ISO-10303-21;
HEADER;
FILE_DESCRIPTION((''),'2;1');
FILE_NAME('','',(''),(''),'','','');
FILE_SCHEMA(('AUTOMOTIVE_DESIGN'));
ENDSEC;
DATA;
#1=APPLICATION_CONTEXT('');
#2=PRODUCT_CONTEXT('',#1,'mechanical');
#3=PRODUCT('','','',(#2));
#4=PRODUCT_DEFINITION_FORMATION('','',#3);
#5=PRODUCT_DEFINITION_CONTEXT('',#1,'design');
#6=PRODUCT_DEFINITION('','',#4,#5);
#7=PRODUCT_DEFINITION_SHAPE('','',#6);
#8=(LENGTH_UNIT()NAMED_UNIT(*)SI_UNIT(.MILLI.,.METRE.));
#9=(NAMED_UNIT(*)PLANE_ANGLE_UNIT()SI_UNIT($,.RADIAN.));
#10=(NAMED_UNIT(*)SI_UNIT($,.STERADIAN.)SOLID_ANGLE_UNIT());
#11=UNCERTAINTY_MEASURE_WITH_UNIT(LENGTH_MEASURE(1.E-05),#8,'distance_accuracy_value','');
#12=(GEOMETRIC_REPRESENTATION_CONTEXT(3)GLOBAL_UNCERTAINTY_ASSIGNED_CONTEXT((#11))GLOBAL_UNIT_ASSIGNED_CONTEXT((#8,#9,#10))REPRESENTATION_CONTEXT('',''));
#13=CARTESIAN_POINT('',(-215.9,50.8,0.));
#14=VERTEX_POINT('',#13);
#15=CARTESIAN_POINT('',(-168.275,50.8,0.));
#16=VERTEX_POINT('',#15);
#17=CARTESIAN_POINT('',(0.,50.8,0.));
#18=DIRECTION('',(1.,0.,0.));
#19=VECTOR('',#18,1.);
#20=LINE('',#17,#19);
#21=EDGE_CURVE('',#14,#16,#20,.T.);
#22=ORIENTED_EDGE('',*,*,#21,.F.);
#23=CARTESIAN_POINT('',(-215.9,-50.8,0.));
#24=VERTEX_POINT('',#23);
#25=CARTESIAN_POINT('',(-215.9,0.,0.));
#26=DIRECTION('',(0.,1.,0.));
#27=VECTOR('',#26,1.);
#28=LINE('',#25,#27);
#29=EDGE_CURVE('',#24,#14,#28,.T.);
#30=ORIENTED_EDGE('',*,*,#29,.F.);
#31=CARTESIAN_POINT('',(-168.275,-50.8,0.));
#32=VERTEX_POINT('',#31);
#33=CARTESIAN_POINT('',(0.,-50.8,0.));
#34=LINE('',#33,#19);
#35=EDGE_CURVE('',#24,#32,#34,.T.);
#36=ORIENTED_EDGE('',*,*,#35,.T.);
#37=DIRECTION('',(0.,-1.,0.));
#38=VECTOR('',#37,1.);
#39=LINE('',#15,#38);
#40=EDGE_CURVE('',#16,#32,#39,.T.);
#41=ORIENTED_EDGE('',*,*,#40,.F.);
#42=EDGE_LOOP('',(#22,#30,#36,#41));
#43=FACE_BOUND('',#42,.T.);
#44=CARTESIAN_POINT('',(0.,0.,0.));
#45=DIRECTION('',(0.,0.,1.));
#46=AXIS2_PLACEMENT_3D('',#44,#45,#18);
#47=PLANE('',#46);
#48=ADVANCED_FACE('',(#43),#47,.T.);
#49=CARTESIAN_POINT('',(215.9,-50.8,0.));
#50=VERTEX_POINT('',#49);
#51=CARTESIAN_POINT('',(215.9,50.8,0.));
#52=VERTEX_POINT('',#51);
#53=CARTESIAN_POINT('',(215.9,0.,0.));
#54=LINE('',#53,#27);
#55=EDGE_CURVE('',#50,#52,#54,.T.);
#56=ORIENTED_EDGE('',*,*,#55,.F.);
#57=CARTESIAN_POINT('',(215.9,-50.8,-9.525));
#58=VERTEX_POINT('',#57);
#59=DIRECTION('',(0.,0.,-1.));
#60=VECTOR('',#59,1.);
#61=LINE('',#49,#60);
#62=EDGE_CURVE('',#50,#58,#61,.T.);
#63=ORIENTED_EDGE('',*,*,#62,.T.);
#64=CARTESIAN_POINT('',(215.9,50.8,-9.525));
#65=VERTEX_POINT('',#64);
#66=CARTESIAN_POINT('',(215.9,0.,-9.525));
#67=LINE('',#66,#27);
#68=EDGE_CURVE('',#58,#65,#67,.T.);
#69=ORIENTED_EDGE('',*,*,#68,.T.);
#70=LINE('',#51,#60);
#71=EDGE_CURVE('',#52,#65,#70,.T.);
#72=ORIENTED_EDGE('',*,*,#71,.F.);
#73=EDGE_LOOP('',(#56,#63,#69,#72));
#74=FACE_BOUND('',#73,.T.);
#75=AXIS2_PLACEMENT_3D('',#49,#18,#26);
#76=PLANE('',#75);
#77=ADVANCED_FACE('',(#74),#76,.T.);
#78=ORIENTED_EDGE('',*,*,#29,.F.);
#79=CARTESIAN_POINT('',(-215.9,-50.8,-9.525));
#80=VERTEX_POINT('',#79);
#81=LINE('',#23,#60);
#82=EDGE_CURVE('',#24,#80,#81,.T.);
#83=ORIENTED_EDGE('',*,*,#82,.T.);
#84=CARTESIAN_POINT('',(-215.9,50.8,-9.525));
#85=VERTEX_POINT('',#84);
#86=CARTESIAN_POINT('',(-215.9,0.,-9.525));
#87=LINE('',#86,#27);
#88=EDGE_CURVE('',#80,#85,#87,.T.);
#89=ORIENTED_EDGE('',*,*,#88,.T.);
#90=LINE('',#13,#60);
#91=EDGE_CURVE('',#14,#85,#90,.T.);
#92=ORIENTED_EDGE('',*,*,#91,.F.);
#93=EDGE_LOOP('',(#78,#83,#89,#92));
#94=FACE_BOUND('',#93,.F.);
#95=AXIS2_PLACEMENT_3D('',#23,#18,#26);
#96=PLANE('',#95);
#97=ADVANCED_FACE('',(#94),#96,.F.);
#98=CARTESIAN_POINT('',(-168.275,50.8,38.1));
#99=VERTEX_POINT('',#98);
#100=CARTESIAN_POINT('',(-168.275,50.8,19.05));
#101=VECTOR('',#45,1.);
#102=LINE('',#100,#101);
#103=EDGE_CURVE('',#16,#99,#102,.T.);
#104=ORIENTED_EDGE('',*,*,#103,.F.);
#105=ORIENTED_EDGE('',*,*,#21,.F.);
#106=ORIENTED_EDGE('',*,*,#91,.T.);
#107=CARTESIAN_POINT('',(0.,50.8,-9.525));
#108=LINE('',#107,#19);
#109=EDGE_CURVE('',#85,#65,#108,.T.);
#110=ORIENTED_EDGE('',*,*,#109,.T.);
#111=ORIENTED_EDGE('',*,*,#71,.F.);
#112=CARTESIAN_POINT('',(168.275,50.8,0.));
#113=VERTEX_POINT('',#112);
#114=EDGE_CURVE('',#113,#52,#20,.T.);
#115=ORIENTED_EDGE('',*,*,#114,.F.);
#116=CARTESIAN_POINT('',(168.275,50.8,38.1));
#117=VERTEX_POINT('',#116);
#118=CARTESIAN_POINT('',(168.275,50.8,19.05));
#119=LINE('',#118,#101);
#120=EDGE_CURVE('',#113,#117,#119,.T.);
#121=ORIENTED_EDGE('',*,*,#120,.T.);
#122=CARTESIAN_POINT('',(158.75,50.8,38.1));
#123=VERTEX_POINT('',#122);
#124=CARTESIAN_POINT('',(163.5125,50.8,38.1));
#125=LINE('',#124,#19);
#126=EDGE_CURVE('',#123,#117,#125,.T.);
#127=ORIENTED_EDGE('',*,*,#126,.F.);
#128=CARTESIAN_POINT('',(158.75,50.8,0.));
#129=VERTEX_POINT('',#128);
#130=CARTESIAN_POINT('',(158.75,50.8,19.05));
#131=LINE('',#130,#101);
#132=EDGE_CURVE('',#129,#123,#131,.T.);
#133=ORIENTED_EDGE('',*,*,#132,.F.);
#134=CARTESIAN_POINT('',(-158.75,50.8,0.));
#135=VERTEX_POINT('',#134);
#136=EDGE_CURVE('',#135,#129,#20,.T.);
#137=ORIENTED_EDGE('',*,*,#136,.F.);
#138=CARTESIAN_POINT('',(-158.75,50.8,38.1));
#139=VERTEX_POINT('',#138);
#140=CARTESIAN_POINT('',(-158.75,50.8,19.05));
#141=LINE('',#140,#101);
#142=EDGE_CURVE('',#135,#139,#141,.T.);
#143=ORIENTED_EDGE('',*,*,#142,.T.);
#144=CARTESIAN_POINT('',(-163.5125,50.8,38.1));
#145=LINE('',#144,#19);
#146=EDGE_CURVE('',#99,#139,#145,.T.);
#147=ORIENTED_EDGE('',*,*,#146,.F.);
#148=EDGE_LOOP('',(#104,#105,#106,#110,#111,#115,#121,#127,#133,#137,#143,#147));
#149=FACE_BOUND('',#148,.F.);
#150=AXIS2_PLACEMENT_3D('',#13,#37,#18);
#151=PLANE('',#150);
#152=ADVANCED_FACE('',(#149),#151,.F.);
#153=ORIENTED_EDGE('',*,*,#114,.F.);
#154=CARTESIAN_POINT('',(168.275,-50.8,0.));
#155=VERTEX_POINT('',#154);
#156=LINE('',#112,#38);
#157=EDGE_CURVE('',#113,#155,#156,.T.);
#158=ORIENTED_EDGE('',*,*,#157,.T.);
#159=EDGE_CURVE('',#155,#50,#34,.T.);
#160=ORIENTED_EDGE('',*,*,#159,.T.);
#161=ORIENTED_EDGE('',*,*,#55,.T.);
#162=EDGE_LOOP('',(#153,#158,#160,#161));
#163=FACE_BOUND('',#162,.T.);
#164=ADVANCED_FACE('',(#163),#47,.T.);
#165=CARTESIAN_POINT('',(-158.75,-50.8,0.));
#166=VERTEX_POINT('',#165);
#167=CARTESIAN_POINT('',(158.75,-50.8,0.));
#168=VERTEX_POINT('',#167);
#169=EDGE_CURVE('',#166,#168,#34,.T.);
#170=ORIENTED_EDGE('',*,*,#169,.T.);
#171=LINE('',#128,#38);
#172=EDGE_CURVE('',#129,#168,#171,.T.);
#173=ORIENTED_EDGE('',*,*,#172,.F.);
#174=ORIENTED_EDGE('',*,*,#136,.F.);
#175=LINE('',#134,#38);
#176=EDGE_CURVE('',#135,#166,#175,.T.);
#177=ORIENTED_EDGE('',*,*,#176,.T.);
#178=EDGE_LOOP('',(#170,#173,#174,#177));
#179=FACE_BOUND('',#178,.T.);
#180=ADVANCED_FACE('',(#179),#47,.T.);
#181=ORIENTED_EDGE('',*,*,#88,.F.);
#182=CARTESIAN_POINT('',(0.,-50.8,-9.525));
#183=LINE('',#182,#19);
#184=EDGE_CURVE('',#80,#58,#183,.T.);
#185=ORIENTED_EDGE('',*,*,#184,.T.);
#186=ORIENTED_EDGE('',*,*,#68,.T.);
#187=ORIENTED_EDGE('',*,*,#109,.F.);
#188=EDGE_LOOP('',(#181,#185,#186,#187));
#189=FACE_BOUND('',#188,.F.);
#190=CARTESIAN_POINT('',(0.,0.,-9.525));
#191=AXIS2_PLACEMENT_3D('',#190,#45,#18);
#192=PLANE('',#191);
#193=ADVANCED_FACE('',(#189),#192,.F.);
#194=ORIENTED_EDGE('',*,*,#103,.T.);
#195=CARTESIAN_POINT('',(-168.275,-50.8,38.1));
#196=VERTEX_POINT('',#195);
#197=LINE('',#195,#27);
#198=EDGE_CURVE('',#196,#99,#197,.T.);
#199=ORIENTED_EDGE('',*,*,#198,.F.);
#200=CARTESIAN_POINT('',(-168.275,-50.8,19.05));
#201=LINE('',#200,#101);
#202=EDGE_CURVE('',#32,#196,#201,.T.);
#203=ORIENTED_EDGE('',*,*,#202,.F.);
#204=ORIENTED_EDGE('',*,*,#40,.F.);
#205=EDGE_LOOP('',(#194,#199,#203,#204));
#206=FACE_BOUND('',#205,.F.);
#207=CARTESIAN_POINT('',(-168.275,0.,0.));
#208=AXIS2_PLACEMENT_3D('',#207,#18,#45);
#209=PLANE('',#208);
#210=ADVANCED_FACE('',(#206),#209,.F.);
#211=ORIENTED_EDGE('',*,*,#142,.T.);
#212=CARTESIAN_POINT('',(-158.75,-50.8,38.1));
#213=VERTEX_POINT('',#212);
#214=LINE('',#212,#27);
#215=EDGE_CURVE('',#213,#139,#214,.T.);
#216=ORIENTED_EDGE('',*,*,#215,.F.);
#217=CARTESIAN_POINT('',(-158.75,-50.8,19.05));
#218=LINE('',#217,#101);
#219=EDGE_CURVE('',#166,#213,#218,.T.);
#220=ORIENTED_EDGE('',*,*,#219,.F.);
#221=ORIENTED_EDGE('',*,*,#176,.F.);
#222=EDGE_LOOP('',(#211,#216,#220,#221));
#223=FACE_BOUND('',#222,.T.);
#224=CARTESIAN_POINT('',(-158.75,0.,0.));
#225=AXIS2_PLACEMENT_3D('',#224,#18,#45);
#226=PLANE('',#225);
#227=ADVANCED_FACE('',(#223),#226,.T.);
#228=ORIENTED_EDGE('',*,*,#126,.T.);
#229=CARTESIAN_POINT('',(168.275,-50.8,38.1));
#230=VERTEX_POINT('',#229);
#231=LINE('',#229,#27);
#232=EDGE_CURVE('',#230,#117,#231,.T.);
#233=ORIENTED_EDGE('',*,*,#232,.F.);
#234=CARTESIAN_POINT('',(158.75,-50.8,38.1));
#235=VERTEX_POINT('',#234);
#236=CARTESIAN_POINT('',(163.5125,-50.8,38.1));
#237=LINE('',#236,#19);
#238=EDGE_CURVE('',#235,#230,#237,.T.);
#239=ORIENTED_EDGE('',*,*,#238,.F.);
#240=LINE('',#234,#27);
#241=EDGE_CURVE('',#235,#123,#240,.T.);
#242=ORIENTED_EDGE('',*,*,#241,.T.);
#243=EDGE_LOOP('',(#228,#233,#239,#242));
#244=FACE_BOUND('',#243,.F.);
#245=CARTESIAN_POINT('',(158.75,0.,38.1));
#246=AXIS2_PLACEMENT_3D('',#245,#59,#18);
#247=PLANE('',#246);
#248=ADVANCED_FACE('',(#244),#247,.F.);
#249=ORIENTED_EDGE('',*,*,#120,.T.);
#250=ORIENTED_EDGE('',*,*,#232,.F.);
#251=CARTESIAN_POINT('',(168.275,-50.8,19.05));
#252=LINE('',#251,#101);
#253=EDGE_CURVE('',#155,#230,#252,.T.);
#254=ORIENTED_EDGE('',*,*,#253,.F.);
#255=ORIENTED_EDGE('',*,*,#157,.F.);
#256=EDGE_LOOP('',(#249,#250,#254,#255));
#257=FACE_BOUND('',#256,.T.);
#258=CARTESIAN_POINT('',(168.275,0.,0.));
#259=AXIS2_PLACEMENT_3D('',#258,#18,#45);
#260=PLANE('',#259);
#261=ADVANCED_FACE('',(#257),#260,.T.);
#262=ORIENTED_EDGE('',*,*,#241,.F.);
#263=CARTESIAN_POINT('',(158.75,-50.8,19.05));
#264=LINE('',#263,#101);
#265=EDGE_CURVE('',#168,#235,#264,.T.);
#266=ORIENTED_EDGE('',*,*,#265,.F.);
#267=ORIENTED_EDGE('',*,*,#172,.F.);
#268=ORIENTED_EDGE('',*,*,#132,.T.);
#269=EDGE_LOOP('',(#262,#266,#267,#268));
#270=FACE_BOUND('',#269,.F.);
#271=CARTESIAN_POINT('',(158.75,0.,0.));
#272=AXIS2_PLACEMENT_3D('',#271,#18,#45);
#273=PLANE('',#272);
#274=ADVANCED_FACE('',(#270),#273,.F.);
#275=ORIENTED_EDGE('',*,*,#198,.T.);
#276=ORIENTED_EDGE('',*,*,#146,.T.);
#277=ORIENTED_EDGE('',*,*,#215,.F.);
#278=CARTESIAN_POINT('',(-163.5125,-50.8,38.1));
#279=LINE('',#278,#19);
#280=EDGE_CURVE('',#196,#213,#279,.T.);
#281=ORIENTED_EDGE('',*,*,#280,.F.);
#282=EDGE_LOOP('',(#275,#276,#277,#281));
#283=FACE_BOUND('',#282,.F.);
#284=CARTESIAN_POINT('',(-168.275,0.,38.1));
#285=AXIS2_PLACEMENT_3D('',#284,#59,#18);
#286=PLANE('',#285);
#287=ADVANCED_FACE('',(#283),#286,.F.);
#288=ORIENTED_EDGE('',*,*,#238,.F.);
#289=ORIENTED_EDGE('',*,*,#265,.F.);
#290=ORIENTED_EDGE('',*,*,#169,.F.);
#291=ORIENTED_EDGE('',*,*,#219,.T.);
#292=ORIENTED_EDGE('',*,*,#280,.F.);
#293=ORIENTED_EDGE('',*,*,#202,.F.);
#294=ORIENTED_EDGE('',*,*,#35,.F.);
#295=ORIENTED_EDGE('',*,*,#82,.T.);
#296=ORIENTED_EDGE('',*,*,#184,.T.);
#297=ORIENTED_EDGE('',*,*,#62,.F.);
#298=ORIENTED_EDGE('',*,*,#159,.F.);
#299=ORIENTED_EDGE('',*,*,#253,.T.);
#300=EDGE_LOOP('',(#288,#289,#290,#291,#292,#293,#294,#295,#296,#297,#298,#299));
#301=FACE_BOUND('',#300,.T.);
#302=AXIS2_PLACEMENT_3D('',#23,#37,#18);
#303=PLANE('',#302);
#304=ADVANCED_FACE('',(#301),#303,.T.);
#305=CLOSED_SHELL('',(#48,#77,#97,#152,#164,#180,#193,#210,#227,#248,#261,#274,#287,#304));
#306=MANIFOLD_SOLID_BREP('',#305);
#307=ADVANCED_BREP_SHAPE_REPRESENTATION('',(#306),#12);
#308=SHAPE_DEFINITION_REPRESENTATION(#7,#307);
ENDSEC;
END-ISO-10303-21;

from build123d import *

# Parameters (mm, degrees)
F0_W     = 431.8
F0_H     = 101.6
F1_DEPTH = 9.525
F2_W     = 9.525
F2_H     = 38.1
F3_DEPTH = 50.8
F4_W     = 9.525
F4_H     = 38.1
F5_DEPTH = 50.8


with BuildPart() as f1:
    # F0 (on Top) → F1 (new body)
    with BuildSketch(Plane.XY):
        Rectangle(F0_W, F0_H)
    extrude(amount=-F1_DEPTH)

    # F2 (on Front) → F3 (join, symmetric)
    with BuildSketch(Plane.XZ):
        with Locations((-163.5125, 19.05)):
            Rectangle(F2_W, F2_H)
    extrude(amount=F3_DEPTH, both=True)

    # F4 (on Front) → F5 (join, symmetric)
    with BuildSketch(Plane.XZ):
        with Locations((163.5125, 19.05)):
            Rectangle(F4_W, F4_H)
    extrude(amount=F5_DEPTH, both=True)


solid = f1.part
